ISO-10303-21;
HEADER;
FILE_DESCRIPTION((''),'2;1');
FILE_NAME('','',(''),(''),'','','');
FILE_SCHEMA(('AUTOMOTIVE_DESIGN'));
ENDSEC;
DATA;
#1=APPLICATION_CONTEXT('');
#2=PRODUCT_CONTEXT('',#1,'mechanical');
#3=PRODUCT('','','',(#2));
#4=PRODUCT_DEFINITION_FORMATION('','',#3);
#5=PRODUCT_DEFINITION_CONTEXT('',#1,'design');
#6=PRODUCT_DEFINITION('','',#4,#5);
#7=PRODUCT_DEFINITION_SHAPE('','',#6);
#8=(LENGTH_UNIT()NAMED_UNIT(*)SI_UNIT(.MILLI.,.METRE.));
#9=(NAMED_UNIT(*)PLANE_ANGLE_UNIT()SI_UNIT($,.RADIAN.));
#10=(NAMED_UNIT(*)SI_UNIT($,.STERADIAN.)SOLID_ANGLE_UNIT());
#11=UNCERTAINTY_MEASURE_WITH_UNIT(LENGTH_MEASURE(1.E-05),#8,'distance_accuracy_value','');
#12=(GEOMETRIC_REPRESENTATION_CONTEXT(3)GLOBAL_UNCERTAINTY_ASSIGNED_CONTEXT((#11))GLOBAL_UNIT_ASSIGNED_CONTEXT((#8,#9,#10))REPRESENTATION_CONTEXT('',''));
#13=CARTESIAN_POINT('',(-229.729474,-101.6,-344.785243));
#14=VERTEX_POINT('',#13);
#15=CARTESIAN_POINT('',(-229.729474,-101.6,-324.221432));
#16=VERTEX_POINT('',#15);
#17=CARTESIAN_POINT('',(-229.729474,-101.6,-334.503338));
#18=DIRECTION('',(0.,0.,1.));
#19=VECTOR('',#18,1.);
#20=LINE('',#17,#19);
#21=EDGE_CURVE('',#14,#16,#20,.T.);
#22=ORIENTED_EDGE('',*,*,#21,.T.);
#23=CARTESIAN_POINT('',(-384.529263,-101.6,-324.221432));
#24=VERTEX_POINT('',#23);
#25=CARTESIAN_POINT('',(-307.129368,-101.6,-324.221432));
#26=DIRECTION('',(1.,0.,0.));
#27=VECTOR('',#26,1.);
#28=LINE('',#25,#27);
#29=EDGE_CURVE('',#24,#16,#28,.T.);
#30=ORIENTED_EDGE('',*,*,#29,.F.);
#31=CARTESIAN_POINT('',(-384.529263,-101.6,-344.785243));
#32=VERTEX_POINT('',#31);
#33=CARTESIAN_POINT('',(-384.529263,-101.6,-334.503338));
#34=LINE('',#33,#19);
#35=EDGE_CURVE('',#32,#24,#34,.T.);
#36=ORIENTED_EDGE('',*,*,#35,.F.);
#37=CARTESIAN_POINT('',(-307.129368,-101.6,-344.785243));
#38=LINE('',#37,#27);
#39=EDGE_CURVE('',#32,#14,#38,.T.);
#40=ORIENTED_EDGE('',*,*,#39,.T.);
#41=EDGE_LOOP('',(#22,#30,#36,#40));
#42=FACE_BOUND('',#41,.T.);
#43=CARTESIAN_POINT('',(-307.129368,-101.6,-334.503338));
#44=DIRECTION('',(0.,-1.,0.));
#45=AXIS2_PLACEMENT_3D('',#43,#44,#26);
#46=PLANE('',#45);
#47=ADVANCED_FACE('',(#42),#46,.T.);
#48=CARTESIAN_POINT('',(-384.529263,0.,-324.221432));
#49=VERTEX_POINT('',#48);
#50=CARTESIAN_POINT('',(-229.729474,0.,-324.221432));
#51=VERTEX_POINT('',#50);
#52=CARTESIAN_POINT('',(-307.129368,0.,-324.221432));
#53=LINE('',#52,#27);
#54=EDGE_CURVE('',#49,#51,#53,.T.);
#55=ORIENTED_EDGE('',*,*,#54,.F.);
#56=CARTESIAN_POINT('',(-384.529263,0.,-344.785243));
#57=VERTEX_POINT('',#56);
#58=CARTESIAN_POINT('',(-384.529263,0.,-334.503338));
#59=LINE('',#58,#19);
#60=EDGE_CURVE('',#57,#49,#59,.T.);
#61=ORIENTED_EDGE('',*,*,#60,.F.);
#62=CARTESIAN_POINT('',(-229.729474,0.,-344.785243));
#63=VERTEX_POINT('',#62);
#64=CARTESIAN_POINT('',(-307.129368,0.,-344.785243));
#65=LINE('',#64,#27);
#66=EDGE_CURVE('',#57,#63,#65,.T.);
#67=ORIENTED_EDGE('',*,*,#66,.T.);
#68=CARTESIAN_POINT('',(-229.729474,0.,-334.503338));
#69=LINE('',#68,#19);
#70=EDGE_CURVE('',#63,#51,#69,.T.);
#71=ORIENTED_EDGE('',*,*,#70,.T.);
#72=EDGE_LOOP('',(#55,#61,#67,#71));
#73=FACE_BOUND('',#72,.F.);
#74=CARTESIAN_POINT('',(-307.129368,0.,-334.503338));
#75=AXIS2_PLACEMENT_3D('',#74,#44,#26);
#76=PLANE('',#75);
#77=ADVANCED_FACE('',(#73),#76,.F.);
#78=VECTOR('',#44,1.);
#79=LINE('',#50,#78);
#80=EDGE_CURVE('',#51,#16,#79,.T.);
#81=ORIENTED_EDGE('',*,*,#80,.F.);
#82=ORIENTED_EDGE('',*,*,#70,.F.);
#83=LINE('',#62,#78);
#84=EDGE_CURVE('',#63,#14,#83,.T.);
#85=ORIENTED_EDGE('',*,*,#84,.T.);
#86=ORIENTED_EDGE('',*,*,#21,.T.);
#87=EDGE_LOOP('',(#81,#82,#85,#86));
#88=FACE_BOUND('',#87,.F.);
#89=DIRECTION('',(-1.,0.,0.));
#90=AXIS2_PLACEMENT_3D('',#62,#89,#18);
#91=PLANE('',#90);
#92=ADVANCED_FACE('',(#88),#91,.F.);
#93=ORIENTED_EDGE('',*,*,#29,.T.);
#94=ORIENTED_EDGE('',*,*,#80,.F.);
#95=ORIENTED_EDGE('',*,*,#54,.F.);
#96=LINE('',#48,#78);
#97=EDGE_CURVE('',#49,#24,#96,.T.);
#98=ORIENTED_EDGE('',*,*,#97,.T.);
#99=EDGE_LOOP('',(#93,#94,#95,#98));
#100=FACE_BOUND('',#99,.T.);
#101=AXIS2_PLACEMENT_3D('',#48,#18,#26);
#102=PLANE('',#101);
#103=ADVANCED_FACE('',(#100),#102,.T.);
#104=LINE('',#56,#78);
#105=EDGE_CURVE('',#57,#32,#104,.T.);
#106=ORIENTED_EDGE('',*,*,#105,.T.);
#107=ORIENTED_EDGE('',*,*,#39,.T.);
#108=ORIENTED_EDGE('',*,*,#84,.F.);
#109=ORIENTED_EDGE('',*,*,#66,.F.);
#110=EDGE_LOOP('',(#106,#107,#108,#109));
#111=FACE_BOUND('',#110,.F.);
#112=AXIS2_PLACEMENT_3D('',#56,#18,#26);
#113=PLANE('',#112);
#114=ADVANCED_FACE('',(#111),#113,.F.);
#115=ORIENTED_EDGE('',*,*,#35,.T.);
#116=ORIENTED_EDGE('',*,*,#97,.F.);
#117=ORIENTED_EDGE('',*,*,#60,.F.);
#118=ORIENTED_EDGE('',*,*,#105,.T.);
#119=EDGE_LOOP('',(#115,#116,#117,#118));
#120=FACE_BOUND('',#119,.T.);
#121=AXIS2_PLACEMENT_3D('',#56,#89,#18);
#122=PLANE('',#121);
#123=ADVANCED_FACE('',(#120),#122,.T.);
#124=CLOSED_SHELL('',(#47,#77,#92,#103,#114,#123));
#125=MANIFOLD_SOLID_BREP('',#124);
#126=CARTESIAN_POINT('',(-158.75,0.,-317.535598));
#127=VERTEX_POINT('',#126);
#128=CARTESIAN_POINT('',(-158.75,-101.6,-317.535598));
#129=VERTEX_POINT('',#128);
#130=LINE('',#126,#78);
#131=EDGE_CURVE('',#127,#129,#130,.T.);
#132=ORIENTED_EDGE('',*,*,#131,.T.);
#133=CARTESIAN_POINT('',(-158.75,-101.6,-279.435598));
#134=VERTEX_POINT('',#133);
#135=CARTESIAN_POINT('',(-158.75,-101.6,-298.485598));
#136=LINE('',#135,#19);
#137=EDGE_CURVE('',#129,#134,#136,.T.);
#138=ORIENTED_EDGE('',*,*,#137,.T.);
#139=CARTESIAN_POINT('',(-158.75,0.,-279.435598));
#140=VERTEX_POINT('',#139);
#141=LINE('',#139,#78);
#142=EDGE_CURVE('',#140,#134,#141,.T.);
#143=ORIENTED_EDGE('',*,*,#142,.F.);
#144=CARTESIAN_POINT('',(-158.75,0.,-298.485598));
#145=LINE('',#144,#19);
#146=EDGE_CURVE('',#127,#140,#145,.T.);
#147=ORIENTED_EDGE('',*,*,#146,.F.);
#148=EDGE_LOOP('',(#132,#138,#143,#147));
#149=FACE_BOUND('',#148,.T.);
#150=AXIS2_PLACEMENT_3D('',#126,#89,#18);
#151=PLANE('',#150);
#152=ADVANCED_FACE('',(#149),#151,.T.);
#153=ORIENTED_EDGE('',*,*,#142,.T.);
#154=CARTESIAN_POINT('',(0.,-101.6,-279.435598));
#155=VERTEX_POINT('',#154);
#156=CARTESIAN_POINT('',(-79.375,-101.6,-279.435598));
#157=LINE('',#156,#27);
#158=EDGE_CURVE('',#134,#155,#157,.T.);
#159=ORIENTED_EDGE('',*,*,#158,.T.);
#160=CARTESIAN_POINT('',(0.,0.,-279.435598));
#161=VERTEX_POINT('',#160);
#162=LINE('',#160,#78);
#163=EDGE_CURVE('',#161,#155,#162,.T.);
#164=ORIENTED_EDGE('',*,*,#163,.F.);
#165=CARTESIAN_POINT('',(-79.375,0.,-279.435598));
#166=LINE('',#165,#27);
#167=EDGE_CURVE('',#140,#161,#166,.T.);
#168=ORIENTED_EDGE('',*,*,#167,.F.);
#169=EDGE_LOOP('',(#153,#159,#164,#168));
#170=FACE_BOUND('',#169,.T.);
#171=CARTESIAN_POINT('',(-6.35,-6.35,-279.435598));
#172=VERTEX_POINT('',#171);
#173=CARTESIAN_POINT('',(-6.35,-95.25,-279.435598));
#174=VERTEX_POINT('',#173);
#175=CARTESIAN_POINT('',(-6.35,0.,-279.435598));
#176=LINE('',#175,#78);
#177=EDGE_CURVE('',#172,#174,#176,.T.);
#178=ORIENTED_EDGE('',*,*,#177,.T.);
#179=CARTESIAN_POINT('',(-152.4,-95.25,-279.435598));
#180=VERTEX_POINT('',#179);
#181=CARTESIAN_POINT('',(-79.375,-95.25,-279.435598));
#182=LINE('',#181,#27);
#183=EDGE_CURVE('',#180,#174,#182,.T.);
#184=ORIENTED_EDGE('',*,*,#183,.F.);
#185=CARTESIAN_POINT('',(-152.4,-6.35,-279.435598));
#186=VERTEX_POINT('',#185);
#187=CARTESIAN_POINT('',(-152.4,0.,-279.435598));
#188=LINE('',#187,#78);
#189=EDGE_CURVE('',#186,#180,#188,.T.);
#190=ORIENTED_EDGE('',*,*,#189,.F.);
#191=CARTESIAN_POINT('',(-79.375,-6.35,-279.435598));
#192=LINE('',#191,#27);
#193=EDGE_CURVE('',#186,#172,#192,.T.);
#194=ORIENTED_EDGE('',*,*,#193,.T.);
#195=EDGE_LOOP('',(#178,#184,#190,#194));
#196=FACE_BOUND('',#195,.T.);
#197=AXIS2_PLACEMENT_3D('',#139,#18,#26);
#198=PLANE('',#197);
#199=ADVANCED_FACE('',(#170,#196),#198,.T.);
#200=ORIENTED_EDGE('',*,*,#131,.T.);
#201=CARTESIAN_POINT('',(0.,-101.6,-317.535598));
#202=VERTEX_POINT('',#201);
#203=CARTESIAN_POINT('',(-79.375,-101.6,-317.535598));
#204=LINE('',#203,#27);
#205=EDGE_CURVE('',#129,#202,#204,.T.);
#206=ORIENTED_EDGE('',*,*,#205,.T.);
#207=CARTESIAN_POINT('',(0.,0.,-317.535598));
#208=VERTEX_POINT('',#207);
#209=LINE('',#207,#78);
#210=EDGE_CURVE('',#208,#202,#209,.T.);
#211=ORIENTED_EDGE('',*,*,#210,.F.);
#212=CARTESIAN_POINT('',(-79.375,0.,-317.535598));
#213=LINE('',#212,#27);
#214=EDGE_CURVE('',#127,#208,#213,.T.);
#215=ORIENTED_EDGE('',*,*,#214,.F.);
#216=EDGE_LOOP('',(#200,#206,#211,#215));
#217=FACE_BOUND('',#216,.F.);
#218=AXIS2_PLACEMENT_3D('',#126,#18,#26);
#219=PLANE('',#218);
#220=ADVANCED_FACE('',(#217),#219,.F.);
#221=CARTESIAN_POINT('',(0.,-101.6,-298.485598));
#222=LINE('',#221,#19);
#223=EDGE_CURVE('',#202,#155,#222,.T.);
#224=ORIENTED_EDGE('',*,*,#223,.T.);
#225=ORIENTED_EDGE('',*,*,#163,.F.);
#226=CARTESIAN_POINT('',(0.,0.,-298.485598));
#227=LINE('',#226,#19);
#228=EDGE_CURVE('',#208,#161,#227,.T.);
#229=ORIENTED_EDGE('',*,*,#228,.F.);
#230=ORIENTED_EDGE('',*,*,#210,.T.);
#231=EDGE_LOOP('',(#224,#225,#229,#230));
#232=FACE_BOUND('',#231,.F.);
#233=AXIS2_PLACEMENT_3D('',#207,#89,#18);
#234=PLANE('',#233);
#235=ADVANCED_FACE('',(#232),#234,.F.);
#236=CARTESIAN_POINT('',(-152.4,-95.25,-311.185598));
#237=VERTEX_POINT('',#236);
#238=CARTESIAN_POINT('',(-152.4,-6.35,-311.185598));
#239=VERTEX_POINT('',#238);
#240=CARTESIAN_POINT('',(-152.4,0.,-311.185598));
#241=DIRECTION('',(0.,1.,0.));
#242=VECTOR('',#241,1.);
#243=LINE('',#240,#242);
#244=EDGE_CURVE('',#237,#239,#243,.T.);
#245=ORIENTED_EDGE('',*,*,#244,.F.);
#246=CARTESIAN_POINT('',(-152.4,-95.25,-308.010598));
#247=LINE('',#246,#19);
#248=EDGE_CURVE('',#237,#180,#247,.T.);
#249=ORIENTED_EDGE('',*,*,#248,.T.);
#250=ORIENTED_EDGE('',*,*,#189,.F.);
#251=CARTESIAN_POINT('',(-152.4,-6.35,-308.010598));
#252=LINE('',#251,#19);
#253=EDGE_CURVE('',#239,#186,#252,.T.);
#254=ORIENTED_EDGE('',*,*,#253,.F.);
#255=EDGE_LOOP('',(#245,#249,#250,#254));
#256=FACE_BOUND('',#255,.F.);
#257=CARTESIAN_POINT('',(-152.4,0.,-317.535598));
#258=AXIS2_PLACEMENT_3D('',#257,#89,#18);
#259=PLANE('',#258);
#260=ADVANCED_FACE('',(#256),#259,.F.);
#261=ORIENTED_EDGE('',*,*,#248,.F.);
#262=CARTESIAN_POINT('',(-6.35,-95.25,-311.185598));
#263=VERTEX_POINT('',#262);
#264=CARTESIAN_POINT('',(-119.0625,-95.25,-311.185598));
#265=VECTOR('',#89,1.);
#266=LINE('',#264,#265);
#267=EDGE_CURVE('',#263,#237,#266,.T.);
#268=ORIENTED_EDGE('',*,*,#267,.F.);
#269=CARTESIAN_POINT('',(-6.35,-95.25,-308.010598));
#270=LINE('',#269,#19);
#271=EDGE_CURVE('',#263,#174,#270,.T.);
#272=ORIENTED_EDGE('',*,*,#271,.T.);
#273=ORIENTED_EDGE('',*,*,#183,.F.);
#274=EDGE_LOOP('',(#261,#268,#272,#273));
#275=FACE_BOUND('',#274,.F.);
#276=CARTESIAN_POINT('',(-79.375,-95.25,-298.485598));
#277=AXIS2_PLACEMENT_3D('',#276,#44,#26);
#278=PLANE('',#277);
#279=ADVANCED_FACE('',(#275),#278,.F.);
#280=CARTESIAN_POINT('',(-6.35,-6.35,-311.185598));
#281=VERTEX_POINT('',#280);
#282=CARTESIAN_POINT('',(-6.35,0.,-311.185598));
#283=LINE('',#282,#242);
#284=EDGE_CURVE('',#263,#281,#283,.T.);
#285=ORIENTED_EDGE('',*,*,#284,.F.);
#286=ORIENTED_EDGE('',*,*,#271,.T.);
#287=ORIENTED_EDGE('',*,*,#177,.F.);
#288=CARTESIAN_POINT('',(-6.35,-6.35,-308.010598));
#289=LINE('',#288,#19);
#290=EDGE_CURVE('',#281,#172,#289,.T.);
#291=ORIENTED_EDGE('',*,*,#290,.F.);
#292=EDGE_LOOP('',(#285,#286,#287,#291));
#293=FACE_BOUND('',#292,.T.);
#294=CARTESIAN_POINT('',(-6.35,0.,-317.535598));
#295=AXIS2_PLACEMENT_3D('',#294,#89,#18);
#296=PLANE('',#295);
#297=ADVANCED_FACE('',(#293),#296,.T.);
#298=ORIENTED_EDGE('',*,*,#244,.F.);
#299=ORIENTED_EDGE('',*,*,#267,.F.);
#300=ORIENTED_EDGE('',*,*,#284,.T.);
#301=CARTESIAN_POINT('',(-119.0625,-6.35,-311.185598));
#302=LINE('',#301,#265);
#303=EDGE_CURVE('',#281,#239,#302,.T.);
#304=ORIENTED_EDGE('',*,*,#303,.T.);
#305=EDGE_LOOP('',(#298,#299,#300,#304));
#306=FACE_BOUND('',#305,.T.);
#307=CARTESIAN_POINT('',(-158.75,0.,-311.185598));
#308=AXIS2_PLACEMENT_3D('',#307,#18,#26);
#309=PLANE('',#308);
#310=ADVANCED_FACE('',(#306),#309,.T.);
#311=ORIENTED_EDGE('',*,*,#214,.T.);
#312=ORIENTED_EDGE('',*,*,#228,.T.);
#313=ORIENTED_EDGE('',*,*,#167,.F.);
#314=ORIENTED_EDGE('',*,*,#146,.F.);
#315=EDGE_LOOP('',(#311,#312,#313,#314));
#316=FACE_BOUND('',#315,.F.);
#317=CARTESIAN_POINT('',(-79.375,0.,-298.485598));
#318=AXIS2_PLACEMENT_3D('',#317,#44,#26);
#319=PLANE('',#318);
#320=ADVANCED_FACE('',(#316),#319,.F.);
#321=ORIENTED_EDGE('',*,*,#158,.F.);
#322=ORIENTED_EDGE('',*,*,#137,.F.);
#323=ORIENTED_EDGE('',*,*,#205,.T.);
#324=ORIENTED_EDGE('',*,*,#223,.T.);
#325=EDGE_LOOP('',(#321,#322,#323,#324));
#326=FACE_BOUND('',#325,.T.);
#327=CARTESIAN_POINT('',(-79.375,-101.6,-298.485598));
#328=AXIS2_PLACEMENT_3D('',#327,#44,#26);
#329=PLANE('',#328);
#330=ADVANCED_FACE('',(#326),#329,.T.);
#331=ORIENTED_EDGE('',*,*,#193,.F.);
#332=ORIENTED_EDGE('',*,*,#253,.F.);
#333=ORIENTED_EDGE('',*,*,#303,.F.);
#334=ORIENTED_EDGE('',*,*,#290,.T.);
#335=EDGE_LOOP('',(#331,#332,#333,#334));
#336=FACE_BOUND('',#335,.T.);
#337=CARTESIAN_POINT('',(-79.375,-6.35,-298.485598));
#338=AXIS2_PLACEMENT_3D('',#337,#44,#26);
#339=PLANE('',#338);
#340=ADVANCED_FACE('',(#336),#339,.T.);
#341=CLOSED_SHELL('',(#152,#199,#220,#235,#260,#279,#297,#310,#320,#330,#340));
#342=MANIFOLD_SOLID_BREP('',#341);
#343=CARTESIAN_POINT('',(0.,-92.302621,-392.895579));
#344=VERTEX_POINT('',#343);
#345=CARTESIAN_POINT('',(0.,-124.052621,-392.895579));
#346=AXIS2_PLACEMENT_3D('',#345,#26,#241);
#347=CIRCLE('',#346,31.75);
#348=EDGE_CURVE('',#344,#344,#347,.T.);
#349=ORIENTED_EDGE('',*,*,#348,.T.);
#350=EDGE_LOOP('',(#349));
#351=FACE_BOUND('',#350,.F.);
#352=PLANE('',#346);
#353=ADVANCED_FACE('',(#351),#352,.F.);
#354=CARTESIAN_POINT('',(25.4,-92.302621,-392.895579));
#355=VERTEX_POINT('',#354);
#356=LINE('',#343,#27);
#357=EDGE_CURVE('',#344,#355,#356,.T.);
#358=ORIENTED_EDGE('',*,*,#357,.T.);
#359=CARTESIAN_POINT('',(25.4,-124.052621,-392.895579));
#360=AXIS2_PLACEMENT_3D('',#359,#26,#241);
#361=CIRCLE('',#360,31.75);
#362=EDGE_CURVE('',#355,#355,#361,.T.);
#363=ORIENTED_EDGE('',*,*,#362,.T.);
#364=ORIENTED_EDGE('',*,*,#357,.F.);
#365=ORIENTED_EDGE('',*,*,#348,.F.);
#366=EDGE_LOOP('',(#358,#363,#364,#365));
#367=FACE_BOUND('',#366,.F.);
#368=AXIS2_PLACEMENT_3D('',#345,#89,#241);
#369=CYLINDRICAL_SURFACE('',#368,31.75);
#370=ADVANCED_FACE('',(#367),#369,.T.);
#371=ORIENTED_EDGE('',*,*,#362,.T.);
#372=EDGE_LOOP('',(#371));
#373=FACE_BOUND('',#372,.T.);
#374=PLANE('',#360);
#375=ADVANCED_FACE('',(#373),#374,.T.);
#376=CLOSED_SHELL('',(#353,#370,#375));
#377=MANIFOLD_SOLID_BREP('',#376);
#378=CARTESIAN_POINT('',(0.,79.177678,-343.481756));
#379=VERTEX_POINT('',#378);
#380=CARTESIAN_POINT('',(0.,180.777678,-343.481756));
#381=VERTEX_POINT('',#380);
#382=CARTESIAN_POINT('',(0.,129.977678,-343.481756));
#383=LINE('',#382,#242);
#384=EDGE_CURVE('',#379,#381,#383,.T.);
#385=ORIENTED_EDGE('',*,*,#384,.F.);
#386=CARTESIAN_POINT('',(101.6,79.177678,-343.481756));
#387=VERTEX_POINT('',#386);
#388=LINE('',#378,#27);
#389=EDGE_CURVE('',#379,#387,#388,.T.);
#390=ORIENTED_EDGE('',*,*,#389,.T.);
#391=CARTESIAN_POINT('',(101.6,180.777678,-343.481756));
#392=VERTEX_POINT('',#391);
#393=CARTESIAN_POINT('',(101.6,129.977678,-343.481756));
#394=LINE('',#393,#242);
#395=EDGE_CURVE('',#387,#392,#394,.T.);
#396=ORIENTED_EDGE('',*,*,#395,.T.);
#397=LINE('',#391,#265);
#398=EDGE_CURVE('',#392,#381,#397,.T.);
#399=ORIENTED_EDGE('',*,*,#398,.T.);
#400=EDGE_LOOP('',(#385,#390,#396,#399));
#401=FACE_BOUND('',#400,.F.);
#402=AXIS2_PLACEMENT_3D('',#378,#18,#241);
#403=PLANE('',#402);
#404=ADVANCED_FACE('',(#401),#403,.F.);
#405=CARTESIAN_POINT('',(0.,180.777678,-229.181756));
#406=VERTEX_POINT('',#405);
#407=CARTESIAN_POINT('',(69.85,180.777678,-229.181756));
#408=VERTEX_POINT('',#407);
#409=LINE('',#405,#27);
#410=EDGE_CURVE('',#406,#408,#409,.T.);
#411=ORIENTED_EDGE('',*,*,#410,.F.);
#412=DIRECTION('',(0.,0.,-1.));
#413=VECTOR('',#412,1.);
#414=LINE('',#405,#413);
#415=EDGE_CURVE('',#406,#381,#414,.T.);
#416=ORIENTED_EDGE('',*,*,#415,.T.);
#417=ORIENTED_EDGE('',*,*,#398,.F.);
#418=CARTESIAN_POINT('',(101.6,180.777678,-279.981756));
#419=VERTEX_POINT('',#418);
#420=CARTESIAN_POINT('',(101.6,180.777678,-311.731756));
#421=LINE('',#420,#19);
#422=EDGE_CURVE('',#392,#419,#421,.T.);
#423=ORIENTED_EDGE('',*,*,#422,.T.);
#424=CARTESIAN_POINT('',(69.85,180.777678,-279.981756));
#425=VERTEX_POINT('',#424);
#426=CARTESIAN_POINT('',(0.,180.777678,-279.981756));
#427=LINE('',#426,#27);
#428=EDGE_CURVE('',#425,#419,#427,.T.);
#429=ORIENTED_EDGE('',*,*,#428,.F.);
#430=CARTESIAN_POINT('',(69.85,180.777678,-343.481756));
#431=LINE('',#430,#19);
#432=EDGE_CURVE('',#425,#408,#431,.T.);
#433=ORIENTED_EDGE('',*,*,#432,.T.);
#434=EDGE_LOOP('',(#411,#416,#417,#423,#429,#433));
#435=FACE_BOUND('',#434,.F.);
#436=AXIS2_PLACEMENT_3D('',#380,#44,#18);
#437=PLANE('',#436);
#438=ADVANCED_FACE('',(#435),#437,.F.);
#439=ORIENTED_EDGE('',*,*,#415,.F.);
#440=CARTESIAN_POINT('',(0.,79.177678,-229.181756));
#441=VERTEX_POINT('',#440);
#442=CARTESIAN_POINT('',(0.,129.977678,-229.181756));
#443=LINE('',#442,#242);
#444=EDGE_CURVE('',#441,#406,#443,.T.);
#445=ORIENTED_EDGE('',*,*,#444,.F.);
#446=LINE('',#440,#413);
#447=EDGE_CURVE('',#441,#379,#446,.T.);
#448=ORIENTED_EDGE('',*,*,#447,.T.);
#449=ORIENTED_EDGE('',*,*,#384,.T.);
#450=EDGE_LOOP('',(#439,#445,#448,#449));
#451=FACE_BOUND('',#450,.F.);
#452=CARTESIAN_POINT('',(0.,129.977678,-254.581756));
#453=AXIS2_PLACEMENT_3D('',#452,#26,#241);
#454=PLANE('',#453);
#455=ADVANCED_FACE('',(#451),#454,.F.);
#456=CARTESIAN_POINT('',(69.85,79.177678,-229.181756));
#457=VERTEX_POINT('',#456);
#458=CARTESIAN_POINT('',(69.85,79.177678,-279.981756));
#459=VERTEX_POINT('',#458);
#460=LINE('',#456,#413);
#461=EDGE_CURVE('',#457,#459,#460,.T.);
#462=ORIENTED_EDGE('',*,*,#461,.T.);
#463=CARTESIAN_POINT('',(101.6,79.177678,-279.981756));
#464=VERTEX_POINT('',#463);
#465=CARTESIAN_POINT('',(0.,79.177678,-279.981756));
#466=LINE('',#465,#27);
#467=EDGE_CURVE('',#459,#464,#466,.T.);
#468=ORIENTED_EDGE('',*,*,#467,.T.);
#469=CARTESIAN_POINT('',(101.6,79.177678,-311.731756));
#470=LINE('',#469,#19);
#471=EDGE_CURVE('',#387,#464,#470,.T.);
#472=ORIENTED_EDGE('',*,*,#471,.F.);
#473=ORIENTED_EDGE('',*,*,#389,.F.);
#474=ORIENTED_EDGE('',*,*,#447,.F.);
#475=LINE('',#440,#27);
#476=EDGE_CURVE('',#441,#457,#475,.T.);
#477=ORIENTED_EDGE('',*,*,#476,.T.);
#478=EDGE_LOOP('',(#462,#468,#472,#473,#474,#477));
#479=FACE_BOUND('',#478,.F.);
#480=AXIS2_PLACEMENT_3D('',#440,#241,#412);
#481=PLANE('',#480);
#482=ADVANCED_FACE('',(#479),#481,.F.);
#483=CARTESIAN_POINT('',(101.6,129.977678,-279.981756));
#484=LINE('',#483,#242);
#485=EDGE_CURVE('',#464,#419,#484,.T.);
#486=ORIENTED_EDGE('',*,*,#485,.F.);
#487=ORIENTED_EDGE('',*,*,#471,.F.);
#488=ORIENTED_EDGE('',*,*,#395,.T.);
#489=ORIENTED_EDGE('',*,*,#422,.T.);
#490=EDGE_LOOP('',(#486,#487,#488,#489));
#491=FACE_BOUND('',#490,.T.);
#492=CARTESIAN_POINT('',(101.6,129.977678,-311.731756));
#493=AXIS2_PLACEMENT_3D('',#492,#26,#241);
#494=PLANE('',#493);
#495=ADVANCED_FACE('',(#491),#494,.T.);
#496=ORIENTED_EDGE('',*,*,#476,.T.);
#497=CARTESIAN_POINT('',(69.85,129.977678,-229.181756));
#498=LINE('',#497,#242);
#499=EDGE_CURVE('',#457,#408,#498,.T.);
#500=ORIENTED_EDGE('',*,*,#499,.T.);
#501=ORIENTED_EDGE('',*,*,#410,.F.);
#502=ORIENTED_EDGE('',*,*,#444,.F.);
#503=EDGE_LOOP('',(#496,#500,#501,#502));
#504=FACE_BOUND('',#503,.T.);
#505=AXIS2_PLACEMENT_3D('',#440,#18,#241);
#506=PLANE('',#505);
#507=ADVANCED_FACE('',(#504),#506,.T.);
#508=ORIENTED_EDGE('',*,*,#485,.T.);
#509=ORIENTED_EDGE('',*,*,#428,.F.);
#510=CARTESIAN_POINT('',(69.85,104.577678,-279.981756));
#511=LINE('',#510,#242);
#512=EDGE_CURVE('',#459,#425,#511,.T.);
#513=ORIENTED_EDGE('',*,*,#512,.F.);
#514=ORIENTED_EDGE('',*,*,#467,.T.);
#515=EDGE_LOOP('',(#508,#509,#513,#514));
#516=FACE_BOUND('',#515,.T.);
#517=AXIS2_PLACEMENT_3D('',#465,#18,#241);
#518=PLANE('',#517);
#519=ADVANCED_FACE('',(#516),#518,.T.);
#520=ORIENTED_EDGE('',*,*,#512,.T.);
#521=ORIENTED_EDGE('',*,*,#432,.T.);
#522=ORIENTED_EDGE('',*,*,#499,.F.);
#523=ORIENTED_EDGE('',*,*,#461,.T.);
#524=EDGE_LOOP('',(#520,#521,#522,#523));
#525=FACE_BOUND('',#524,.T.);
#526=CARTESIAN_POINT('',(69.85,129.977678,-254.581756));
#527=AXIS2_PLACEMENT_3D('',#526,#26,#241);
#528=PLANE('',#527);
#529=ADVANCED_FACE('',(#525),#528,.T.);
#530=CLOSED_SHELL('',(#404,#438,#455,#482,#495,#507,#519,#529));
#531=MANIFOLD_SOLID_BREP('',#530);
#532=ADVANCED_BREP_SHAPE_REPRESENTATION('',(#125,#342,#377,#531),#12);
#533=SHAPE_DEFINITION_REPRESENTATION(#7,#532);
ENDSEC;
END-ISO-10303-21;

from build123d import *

# Parameters (mm, degrees)
F0_W     = 101.6
F0_H     = 63.5
F1_DEPTH = 101.6
F0_H_2   = 50.8
F2_DEPTH = 69.85
F3_W     = 158.75
F3_H     = 38.1
F4_DEPTH = 101.6
F3_W_2   = 154.7997891903
F3_H_2   = 20.5638110638
F5_R     = 31.75
F6_DEPTH = 25.4
F7_T     = -6.35


with BuildPart() as f1:
    # F0 (on Right) → F1 (new body)
    with BuildSketch(Plane.YZ):
        with Locations((129.9776777284, -311.7317557335)):
            Rectangle(F0_W, F0_H)
    extrude(amount=F1_DEPTH)

    # F0 (on Right) → F2 (join)
    with BuildSketch(Plane.YZ):
        with Locations((129.9776777284, -254.5817557335)):
            Rectangle(F0_W, F0_H_2)
        with Locations((129.9776777284, -311.7317557335)):
            Rectangle(F0_W, F0_H)
    extrude(amount=F2_DEPTH)


with BuildPart() as f4:
    # F3 (on Front) → F4 (new body)
    with BuildSketch(Plane.XZ):
        with Locations((-79.375, -298.4855981173)):
            Rectangle(F3_W, F3_H)
    extrude(amount=F4_DEPTH)

    # F7
    f7_openings = [f4.faces().sort_by_distance(p)[0] for p in [
        (-79.375, -50.8, -279.435598),
    ]]
    offset(amount=F7_T, openings=f7_openings)


with BuildPart() as f4b:
    # F3 (on Front) → F4, piece 2 (new body)
    with BuildSketch(Plane.XZ):
        with Locations((-307.129368186, -334.5033377409)):
            Rectangle(F3_W_2, F3_H_2)
    extrude(amount=F4_DEPTH)


with BuildPart() as f6:
    # F5 (on Right) → F6 (new body)
    with BuildSketch(Plane.YZ):
        with Locations((-124.0526214242, -392.8955793381)):
            Circle(F5_R)
    extrude(amount=F6_DEPTH)


solid = Compound([f1.part, f4.part, f4b.part, f6.part])
